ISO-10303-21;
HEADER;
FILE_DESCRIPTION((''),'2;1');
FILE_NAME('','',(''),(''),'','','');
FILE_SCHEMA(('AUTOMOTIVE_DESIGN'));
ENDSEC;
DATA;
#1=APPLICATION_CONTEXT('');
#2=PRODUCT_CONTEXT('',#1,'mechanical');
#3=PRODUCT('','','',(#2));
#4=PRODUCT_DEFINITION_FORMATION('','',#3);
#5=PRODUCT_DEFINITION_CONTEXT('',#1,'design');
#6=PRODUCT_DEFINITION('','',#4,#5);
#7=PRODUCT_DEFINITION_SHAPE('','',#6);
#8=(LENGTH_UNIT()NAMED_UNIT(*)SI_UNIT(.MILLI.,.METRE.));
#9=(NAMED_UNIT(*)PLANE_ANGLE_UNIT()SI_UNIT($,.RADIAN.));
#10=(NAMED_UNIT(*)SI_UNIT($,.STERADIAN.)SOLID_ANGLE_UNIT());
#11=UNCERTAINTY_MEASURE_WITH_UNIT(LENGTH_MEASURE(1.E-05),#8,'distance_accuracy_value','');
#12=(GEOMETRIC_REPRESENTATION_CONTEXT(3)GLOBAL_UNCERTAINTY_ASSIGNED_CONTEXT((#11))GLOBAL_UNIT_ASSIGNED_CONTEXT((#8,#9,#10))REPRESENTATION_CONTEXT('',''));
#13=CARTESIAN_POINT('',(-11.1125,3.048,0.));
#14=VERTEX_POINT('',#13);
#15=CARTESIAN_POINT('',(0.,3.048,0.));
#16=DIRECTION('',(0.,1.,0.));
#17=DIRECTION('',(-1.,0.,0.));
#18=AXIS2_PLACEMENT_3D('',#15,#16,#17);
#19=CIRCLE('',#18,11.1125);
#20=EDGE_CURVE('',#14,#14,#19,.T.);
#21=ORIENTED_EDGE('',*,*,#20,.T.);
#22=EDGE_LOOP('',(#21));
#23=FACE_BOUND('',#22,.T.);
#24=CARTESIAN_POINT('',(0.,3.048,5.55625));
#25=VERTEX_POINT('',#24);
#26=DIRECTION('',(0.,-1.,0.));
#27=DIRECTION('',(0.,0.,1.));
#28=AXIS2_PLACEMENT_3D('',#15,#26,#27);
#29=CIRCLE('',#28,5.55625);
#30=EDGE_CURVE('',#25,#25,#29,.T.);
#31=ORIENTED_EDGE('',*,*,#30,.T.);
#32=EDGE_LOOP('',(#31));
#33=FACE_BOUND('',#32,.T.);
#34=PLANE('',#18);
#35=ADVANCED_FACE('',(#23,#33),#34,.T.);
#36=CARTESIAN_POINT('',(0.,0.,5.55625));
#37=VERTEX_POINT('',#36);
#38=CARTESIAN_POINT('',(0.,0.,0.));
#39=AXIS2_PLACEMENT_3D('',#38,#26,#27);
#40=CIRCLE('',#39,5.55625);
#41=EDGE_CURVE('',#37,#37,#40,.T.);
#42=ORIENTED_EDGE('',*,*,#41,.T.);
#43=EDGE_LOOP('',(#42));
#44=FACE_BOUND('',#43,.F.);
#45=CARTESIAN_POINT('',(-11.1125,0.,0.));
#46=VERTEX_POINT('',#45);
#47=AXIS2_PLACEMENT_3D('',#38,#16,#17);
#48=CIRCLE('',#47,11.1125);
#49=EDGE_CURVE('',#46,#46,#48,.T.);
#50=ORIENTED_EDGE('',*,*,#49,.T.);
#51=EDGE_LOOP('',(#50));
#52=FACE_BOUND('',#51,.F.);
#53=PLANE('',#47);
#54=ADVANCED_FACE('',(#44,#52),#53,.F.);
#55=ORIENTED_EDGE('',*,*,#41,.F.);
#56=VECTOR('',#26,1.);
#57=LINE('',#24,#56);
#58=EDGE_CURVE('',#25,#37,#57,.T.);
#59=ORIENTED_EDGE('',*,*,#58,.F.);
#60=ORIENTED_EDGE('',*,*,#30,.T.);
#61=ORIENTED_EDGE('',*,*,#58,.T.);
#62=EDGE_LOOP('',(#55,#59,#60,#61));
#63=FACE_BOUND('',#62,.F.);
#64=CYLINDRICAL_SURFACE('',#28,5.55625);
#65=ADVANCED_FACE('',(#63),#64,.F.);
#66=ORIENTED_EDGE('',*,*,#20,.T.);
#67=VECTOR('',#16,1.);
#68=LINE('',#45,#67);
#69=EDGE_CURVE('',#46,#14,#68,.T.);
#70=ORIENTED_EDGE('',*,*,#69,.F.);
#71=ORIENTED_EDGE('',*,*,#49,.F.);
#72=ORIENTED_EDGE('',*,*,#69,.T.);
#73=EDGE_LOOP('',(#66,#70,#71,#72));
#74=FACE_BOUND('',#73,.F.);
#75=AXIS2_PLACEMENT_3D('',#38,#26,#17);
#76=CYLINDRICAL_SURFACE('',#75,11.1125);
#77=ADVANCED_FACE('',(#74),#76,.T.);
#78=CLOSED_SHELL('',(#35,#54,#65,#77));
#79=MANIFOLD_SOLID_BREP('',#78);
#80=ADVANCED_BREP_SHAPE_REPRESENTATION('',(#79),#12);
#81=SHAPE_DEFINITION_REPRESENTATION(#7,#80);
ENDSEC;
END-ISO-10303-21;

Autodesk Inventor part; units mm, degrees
ref_plane "YZ Plane" through (0, 0, 0) normal (1, 0, 0) x (0, 1, 0)
ref_plane "XZ Plane" through (0, 0, 0) normal (0, 1, 0) x (-1, 0, 0)
ref_plane "XY Plane" through (0, 0, 0) normal (0, 0, 1) x (1, 0, 0)
sketch "Sketch1" plane through (0, 0, 0) normal (0, 1, 0) x (-1, 0, 0)
  circle A0 centre (0, 0) radius 11.1125
  dimension "d0" = 22.225
extrude "Extrusion1" add sketch "Sketch1" along normal blind 3.048
hole "Hole1" at (0, 3.048, 0) direction (0, -1, 0) diameter 11.1125 depth 11.1125 tip angle 118
properties part number ".875 Washer"
